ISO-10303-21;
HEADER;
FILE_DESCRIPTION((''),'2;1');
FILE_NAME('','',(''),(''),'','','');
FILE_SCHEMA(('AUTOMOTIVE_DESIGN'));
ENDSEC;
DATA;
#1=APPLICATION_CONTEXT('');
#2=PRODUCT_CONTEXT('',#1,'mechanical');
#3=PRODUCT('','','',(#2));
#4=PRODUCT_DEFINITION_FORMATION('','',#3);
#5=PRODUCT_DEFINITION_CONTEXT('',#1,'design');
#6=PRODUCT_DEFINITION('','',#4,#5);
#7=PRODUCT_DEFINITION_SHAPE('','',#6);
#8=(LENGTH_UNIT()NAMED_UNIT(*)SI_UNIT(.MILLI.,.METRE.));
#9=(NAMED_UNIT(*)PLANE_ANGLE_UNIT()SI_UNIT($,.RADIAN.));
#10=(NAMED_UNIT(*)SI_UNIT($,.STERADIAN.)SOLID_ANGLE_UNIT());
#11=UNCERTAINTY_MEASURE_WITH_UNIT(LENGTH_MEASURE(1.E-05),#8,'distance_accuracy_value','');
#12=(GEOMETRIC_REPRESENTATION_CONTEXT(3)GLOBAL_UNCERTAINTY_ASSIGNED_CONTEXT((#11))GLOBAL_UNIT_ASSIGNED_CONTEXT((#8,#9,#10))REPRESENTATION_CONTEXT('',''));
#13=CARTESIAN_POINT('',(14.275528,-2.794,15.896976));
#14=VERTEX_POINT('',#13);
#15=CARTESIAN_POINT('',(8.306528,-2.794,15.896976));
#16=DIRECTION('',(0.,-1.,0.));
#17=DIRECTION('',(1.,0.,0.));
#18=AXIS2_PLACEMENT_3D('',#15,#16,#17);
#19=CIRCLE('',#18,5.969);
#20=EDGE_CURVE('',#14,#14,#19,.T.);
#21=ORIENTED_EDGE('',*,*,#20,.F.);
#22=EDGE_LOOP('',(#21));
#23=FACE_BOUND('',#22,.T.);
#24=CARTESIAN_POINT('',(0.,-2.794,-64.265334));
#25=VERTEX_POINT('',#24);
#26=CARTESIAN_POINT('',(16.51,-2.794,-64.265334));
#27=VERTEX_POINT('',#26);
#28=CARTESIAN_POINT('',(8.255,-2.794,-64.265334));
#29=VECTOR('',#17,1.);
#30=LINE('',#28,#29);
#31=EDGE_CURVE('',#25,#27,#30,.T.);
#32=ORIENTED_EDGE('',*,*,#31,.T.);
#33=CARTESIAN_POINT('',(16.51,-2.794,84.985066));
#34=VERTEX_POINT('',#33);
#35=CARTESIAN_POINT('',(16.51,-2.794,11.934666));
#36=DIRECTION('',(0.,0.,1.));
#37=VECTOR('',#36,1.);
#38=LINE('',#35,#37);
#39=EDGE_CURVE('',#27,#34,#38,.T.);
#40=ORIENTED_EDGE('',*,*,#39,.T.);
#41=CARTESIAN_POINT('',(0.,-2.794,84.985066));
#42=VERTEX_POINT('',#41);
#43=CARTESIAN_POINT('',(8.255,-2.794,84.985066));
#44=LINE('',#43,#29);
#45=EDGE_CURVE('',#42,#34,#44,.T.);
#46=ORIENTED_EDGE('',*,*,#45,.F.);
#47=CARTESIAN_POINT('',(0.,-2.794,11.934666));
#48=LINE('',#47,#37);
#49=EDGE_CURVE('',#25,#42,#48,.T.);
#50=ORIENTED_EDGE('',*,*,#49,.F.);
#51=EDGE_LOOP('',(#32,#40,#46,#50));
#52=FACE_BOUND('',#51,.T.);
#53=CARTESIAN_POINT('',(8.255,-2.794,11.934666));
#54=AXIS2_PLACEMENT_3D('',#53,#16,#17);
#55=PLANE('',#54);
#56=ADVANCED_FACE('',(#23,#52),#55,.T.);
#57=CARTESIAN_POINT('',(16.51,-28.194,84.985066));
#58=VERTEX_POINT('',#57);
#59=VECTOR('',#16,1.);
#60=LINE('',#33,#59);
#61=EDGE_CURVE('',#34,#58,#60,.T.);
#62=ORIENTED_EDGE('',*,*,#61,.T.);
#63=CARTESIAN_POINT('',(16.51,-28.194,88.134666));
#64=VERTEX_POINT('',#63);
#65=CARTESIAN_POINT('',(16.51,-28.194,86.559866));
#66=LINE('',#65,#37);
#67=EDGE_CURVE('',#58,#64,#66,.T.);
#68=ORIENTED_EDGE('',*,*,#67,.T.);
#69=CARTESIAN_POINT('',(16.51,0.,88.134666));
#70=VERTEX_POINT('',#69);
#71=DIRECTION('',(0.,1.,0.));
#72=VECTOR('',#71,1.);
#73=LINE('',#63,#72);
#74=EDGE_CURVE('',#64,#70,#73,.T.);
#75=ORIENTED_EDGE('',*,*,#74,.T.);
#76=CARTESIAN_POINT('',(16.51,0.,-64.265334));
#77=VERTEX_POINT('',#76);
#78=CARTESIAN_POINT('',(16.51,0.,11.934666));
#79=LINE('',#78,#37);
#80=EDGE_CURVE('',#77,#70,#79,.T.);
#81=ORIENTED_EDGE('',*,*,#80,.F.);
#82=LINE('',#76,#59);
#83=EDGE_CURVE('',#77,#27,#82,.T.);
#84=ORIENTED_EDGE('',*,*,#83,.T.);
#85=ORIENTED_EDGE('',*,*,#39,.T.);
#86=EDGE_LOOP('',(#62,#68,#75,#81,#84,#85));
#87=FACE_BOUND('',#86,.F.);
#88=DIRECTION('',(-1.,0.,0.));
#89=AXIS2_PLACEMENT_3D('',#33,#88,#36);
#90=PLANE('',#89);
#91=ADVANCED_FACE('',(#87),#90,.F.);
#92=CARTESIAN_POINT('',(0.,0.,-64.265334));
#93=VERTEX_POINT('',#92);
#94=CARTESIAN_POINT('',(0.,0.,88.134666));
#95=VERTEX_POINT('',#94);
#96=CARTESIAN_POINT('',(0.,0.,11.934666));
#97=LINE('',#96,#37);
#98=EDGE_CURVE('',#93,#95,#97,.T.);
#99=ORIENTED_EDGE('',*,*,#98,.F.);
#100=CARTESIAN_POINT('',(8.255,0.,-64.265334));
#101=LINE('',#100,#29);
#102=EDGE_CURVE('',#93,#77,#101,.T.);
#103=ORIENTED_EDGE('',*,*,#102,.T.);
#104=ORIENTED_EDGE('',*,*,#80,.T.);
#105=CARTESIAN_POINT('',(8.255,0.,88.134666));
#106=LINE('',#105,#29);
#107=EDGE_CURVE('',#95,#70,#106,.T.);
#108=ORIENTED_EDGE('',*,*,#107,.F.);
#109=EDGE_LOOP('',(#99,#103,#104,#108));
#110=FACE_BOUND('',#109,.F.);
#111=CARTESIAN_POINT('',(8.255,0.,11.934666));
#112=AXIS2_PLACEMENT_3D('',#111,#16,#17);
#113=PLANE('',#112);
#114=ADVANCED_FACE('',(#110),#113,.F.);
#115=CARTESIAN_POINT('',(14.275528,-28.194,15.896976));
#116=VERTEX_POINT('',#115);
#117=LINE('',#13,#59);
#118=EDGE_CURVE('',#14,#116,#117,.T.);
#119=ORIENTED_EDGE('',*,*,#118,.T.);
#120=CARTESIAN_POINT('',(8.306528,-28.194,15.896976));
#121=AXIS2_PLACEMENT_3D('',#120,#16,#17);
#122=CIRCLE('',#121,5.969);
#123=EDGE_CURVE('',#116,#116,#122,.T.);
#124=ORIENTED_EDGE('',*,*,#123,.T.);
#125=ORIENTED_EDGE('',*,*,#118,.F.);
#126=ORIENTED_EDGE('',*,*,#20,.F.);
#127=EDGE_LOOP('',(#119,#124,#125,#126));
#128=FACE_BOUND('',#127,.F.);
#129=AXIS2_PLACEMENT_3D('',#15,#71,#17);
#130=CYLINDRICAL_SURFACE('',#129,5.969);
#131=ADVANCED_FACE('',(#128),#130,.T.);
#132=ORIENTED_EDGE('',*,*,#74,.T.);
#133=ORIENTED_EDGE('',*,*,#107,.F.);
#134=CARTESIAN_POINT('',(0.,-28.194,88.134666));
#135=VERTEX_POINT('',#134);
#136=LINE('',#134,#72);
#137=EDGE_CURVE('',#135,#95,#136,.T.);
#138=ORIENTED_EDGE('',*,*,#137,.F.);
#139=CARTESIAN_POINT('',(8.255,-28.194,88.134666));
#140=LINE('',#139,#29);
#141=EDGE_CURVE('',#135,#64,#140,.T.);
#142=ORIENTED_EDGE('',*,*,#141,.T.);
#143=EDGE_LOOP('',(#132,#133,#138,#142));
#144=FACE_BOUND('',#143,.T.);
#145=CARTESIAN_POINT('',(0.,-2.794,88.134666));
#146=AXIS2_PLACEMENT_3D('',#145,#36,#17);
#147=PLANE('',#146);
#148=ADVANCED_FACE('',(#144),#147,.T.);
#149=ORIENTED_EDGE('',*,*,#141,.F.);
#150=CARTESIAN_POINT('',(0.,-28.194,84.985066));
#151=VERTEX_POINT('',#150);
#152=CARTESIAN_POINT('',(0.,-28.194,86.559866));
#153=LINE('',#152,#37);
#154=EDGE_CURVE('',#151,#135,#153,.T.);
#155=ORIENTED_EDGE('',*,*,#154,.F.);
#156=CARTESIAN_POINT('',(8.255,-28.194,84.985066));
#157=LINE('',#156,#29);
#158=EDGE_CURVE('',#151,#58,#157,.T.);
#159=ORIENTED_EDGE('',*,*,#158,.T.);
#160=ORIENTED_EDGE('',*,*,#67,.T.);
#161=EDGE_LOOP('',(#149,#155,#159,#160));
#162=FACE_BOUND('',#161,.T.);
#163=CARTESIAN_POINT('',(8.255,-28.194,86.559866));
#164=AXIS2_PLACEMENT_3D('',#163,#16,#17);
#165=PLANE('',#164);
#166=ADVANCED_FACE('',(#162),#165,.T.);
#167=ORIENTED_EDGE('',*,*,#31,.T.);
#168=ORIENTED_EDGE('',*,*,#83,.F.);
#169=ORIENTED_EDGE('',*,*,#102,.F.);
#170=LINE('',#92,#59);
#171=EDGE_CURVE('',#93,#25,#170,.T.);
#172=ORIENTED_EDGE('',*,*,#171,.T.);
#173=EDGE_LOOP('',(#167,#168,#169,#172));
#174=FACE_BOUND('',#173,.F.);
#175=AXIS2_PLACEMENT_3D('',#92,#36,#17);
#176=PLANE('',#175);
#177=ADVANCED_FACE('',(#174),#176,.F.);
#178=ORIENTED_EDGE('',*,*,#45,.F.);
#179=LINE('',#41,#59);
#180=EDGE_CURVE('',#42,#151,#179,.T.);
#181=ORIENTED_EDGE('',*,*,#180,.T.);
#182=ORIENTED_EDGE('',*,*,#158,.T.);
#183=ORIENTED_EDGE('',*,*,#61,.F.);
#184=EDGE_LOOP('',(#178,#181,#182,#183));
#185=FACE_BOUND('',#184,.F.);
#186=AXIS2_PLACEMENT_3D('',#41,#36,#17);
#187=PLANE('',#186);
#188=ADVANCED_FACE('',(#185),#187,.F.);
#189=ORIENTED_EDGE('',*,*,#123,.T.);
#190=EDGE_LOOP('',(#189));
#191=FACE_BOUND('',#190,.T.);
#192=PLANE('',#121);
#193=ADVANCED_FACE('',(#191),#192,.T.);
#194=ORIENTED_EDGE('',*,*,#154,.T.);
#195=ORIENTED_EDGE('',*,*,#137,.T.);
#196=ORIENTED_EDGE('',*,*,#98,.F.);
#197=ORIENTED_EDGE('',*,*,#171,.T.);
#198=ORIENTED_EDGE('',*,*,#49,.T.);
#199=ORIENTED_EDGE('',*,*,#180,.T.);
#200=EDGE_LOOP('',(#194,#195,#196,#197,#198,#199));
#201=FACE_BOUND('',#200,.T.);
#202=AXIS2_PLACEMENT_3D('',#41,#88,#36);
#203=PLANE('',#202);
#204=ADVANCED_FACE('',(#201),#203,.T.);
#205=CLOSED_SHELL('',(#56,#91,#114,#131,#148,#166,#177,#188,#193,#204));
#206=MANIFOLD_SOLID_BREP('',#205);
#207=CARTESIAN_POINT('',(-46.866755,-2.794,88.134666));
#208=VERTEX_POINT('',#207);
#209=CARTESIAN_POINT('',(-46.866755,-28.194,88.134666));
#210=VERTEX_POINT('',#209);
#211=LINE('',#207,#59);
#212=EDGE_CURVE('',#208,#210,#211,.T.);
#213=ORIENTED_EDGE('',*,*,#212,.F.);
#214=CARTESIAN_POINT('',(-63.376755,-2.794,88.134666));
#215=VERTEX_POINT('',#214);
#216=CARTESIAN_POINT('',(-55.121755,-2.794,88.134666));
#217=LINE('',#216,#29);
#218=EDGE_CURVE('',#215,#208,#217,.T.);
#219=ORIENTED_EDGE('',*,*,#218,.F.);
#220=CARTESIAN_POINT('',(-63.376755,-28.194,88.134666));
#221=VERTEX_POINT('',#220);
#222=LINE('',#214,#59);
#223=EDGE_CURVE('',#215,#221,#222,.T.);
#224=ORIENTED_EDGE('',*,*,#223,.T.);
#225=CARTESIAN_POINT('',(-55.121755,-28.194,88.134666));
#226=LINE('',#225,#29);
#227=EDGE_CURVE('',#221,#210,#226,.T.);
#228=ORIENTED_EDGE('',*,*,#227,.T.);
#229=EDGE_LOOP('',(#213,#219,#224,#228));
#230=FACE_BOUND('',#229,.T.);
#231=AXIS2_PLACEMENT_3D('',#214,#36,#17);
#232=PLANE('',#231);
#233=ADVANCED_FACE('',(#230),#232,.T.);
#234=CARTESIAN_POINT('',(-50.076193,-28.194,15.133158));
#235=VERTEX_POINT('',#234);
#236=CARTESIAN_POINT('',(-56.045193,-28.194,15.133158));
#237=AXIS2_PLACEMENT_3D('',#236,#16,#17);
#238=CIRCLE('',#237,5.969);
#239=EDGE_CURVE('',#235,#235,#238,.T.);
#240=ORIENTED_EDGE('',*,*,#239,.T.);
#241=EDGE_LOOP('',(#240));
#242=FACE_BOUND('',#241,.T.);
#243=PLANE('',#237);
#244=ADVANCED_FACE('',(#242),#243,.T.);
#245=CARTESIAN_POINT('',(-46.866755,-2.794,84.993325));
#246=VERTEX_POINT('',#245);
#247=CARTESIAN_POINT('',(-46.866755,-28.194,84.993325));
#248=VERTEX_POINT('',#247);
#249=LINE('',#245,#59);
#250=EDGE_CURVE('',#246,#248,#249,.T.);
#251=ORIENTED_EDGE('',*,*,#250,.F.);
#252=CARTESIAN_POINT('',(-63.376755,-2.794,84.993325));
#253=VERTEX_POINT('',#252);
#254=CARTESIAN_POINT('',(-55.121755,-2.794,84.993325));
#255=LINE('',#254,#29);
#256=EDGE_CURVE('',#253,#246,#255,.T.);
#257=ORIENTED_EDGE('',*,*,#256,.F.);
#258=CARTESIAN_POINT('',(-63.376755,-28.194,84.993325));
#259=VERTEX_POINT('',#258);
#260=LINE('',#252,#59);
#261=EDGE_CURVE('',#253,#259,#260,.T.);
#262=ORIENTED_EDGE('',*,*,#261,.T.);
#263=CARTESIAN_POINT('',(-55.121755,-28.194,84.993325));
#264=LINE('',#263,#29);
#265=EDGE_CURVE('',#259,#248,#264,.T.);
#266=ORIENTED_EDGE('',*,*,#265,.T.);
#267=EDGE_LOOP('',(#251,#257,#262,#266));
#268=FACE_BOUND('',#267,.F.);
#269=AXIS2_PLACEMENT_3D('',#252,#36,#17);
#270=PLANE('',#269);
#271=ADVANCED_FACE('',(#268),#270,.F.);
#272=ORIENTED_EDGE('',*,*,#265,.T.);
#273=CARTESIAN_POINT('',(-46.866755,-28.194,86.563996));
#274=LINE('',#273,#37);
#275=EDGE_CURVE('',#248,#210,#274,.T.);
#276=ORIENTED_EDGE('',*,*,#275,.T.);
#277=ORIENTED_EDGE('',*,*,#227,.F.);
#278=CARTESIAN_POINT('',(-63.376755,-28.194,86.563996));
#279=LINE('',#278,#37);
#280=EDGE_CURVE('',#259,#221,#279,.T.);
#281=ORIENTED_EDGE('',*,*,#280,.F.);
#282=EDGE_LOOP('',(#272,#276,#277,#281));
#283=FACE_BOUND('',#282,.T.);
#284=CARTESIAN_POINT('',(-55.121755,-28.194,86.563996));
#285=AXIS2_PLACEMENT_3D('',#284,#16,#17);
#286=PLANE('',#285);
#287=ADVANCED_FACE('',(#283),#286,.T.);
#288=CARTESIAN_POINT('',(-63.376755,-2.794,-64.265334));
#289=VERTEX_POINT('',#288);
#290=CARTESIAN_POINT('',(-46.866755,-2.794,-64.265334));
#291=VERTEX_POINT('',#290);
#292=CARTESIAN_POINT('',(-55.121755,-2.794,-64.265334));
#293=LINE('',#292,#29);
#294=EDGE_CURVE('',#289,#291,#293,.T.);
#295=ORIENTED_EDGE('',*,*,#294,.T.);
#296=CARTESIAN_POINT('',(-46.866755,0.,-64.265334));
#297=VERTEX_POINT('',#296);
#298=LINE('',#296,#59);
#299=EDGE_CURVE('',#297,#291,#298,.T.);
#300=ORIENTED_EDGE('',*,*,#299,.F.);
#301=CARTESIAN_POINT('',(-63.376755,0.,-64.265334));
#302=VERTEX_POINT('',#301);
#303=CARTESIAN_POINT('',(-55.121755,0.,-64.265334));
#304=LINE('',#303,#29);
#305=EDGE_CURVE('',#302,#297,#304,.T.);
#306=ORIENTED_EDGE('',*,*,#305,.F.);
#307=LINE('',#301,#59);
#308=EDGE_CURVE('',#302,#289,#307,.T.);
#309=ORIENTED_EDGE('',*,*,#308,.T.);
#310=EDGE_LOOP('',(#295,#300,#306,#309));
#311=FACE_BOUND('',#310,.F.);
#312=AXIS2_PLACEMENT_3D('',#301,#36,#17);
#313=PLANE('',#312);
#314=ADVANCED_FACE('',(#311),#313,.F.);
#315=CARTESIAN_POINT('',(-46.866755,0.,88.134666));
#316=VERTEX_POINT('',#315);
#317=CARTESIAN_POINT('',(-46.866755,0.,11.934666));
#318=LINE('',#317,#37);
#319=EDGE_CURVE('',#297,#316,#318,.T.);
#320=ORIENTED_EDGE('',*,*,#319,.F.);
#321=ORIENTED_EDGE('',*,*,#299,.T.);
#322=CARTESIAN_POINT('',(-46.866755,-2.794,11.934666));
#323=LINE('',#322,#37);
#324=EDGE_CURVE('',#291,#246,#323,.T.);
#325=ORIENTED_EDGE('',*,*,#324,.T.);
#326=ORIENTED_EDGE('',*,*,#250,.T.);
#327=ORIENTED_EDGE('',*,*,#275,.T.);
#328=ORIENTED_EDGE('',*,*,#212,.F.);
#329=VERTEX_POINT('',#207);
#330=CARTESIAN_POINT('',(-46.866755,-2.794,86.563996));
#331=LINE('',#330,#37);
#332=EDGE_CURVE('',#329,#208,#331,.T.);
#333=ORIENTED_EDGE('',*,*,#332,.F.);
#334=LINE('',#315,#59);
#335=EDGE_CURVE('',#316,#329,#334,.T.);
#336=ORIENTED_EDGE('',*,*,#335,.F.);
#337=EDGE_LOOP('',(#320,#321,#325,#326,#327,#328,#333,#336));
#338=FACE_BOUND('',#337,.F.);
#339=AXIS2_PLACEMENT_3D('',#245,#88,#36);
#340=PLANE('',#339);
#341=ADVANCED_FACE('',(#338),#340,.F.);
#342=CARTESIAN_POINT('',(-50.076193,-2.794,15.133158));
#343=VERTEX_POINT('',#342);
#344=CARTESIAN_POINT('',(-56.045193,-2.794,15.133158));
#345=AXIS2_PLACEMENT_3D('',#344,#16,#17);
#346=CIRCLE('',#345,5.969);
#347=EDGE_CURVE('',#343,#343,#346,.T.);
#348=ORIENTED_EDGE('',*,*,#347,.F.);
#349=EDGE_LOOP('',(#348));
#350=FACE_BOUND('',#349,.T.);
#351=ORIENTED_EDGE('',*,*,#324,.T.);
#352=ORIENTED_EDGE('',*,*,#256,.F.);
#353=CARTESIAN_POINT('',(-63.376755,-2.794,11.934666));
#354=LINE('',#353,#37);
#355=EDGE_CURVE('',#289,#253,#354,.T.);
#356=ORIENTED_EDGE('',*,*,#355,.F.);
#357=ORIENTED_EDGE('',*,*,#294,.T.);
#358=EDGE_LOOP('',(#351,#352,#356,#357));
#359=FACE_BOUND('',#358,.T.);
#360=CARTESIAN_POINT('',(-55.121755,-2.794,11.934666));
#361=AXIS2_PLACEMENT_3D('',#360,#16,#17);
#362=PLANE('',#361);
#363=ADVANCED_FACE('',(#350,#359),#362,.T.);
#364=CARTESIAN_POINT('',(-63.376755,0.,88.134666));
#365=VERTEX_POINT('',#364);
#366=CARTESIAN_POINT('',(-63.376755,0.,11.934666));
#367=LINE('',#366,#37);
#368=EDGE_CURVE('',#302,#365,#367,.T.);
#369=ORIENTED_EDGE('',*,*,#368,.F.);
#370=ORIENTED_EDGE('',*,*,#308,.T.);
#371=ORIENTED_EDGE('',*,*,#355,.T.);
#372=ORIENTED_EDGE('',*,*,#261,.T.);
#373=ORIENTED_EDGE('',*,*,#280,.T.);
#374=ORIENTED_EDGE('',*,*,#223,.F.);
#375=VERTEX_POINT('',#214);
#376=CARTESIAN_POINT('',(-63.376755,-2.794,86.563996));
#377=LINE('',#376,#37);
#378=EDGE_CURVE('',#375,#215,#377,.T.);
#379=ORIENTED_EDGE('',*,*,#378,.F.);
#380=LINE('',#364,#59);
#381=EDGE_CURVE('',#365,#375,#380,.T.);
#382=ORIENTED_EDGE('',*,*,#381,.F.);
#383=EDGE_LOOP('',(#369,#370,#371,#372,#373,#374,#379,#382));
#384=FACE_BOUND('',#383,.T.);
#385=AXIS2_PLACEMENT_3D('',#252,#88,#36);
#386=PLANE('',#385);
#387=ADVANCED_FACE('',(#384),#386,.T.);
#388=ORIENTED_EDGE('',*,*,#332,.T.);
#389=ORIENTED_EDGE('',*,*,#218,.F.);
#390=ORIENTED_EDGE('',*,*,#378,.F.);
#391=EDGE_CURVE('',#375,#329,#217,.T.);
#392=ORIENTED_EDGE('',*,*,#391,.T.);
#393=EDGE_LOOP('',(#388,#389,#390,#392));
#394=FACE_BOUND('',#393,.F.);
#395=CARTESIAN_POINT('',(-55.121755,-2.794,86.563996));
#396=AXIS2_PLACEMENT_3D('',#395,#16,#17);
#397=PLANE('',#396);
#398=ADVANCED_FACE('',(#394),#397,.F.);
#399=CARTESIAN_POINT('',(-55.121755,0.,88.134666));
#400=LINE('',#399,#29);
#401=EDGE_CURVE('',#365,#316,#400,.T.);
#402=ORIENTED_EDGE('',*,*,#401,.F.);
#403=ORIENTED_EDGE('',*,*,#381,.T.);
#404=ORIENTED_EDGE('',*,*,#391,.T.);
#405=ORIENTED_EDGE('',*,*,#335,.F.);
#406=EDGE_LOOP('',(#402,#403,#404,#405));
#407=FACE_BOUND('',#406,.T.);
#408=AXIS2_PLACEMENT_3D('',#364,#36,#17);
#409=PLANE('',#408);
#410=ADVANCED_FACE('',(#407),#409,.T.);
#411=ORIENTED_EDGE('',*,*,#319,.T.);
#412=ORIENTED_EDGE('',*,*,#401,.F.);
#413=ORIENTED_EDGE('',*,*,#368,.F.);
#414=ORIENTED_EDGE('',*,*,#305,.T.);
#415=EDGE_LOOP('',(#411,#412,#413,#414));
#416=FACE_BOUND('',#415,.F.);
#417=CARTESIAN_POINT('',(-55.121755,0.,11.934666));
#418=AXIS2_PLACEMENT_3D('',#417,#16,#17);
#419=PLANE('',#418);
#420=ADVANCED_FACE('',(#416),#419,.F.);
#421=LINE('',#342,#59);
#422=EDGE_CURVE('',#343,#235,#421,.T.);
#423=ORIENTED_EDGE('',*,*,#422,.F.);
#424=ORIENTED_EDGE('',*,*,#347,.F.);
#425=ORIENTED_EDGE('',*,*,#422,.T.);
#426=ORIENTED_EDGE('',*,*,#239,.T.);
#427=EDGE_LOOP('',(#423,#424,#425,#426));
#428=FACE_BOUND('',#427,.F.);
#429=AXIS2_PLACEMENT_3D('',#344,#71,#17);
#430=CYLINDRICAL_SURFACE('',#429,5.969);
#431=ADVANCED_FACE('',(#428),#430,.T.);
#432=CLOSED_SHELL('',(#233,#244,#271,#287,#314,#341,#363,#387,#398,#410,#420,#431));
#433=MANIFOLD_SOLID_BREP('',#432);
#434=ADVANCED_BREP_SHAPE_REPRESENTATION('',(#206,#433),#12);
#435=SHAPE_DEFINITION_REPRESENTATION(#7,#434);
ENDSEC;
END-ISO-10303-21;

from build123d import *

# Parameters (mm, degrees)
F0_W     = 16.51
F0_H     = 152.4
F1_DEPTH = 2.794
F2_W     = 16.51
F2_H     = 3.141341
F3_DEPTH = 25.4
F4_W     = 16.51
F4_H     = 3.1496
F5_DEPTH = 25.4
F6_R     = 5.969
F7_DEPTH = 25.4
F8_R     = 5.969
F9_DEPTH = 25.4


with BuildPart() as f1:
    # F0 (on Front) → F1 (new body)
    with BuildSketch(Plane.XZ):
        with Locations((-55.121755, 11.934666)):
            Rectangle(F0_W, F0_H)
        with Locations((8.255, 11.934666)):
            Rectangle(F0_W, F0_H)
    extrude(amount=F1_DEPTH)

    # F2 (on face) → F3 (join)
    with BuildSketch(Plane.XZ.offset(2.794)):
        with Locations((-55.121755, 86.563996)):
            Rectangle(F2_W, F2_H)
    extrude(amount=F3_DEPTH)

    # F4 (on face) → F5 (join)
    with BuildSketch(Plane.XZ.offset(2.794)):
        with Locations((8.255, 86.559866)):
            Rectangle(F4_W, F4_H)
    extrude(amount=F5_DEPTH)

    # F6 (on face) → F7 (join)
    with BuildSketch(Plane.XZ.offset(2.794)):
        with Locations((-56.045193, 15.133158)):
            Circle(F6_R)
    extrude(amount=F7_DEPTH)

    # F8 (on face) → F9 (join)
    with BuildSketch(Plane.XZ.offset(2.794)):
        with Locations((8.306528, 15.896976)):
            Circle(F8_R)
    extrude(amount=F9_DEPTH)


solid = f1.part
